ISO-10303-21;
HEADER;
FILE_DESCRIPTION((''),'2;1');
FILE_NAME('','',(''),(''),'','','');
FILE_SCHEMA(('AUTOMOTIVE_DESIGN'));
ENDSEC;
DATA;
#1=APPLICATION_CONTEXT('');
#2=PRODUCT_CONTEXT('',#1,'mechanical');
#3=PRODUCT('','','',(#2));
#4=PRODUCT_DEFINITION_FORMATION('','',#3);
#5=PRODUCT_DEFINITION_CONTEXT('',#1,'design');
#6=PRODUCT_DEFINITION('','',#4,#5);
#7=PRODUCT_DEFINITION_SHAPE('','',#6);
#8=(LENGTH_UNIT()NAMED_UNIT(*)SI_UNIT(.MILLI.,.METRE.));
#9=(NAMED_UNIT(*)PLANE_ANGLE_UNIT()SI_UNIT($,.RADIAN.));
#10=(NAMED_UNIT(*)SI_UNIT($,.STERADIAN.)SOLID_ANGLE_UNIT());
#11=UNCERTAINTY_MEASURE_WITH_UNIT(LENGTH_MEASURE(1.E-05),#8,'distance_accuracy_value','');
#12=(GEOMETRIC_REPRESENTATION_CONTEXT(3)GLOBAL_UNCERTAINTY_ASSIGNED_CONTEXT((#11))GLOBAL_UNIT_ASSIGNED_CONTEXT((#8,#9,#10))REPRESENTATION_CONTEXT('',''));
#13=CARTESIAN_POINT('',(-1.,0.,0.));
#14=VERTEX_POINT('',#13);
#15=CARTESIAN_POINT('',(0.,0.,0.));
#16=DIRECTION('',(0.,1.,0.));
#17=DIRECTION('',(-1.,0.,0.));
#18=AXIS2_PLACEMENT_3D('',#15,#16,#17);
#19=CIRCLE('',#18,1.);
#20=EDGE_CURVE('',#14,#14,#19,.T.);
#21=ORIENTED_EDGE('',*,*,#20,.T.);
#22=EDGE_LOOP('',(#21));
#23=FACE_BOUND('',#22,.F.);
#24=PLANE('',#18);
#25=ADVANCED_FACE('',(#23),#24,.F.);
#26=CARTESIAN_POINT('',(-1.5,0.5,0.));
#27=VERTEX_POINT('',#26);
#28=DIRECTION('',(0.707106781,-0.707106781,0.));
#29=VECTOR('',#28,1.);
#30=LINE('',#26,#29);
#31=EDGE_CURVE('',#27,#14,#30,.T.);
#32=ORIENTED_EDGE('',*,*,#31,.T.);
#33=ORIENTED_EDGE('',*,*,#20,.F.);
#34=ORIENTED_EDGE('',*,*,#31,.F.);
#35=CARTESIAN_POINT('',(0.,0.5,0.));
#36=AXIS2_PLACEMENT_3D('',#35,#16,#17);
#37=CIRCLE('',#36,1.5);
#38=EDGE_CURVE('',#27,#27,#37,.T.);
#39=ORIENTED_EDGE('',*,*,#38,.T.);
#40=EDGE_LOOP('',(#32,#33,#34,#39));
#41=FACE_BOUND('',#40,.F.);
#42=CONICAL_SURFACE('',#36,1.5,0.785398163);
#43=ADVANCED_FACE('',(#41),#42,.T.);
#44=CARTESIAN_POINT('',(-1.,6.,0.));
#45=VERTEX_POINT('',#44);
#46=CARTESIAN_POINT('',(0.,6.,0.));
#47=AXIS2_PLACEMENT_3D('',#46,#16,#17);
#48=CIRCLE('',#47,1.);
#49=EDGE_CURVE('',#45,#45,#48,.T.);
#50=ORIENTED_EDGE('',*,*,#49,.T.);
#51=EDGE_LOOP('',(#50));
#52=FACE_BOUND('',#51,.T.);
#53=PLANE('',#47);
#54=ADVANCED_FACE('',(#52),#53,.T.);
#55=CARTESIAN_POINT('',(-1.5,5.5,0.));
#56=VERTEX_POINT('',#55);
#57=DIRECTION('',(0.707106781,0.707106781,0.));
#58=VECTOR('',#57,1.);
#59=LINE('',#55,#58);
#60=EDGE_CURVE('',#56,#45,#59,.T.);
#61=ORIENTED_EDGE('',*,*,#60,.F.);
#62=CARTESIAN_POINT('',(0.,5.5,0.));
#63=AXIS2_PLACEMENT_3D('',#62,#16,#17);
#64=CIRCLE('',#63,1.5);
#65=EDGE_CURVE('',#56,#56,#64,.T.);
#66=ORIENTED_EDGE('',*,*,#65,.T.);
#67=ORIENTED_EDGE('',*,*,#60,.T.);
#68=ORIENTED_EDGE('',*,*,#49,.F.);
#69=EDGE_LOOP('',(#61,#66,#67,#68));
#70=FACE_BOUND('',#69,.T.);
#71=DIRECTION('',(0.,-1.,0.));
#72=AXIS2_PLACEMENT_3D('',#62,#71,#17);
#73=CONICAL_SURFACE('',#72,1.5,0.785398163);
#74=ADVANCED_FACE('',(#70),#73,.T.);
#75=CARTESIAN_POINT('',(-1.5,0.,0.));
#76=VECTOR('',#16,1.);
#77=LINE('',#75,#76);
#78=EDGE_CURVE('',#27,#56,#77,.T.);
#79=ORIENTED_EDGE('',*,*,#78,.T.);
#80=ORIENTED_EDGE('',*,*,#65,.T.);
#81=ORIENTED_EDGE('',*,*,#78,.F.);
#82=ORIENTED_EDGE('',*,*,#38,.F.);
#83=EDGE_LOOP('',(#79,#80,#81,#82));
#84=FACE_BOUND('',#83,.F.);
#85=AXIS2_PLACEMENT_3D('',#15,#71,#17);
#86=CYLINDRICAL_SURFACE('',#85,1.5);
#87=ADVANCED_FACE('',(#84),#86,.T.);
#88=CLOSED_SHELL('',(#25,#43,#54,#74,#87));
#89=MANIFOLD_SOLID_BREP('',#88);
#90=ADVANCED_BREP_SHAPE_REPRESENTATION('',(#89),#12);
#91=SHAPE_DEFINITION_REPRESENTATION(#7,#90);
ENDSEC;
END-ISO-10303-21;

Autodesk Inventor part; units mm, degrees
ref_plane "YZ Plane" through (0, 0, 0) normal (1, 0, 0) x (0, 1, 0)
ref_plane "XZ Plane" through (0, 0, 0) normal (0, 1, 0) x (-1, 0, 0)
ref_plane "XY Plane" through (0, 0, 0) normal (0, 0, 1) x (1, 0, 0)
sketch "Sketch1" plane through (0, 0, 0) normal (0, 1, 0) x (-1, 0, 0)
  circle A0 centre (0, 0) radius 1.5
  dimension "d0" = 3
extrude "Extrusion1" add sketch "Sketch1" along normal blind 6
chamfer "Chamfer1" distance 0.5 angle 45 2 edges at (1.5, 6, 0) (1.5, 0, 0)
properties part number "pin_3_6"
